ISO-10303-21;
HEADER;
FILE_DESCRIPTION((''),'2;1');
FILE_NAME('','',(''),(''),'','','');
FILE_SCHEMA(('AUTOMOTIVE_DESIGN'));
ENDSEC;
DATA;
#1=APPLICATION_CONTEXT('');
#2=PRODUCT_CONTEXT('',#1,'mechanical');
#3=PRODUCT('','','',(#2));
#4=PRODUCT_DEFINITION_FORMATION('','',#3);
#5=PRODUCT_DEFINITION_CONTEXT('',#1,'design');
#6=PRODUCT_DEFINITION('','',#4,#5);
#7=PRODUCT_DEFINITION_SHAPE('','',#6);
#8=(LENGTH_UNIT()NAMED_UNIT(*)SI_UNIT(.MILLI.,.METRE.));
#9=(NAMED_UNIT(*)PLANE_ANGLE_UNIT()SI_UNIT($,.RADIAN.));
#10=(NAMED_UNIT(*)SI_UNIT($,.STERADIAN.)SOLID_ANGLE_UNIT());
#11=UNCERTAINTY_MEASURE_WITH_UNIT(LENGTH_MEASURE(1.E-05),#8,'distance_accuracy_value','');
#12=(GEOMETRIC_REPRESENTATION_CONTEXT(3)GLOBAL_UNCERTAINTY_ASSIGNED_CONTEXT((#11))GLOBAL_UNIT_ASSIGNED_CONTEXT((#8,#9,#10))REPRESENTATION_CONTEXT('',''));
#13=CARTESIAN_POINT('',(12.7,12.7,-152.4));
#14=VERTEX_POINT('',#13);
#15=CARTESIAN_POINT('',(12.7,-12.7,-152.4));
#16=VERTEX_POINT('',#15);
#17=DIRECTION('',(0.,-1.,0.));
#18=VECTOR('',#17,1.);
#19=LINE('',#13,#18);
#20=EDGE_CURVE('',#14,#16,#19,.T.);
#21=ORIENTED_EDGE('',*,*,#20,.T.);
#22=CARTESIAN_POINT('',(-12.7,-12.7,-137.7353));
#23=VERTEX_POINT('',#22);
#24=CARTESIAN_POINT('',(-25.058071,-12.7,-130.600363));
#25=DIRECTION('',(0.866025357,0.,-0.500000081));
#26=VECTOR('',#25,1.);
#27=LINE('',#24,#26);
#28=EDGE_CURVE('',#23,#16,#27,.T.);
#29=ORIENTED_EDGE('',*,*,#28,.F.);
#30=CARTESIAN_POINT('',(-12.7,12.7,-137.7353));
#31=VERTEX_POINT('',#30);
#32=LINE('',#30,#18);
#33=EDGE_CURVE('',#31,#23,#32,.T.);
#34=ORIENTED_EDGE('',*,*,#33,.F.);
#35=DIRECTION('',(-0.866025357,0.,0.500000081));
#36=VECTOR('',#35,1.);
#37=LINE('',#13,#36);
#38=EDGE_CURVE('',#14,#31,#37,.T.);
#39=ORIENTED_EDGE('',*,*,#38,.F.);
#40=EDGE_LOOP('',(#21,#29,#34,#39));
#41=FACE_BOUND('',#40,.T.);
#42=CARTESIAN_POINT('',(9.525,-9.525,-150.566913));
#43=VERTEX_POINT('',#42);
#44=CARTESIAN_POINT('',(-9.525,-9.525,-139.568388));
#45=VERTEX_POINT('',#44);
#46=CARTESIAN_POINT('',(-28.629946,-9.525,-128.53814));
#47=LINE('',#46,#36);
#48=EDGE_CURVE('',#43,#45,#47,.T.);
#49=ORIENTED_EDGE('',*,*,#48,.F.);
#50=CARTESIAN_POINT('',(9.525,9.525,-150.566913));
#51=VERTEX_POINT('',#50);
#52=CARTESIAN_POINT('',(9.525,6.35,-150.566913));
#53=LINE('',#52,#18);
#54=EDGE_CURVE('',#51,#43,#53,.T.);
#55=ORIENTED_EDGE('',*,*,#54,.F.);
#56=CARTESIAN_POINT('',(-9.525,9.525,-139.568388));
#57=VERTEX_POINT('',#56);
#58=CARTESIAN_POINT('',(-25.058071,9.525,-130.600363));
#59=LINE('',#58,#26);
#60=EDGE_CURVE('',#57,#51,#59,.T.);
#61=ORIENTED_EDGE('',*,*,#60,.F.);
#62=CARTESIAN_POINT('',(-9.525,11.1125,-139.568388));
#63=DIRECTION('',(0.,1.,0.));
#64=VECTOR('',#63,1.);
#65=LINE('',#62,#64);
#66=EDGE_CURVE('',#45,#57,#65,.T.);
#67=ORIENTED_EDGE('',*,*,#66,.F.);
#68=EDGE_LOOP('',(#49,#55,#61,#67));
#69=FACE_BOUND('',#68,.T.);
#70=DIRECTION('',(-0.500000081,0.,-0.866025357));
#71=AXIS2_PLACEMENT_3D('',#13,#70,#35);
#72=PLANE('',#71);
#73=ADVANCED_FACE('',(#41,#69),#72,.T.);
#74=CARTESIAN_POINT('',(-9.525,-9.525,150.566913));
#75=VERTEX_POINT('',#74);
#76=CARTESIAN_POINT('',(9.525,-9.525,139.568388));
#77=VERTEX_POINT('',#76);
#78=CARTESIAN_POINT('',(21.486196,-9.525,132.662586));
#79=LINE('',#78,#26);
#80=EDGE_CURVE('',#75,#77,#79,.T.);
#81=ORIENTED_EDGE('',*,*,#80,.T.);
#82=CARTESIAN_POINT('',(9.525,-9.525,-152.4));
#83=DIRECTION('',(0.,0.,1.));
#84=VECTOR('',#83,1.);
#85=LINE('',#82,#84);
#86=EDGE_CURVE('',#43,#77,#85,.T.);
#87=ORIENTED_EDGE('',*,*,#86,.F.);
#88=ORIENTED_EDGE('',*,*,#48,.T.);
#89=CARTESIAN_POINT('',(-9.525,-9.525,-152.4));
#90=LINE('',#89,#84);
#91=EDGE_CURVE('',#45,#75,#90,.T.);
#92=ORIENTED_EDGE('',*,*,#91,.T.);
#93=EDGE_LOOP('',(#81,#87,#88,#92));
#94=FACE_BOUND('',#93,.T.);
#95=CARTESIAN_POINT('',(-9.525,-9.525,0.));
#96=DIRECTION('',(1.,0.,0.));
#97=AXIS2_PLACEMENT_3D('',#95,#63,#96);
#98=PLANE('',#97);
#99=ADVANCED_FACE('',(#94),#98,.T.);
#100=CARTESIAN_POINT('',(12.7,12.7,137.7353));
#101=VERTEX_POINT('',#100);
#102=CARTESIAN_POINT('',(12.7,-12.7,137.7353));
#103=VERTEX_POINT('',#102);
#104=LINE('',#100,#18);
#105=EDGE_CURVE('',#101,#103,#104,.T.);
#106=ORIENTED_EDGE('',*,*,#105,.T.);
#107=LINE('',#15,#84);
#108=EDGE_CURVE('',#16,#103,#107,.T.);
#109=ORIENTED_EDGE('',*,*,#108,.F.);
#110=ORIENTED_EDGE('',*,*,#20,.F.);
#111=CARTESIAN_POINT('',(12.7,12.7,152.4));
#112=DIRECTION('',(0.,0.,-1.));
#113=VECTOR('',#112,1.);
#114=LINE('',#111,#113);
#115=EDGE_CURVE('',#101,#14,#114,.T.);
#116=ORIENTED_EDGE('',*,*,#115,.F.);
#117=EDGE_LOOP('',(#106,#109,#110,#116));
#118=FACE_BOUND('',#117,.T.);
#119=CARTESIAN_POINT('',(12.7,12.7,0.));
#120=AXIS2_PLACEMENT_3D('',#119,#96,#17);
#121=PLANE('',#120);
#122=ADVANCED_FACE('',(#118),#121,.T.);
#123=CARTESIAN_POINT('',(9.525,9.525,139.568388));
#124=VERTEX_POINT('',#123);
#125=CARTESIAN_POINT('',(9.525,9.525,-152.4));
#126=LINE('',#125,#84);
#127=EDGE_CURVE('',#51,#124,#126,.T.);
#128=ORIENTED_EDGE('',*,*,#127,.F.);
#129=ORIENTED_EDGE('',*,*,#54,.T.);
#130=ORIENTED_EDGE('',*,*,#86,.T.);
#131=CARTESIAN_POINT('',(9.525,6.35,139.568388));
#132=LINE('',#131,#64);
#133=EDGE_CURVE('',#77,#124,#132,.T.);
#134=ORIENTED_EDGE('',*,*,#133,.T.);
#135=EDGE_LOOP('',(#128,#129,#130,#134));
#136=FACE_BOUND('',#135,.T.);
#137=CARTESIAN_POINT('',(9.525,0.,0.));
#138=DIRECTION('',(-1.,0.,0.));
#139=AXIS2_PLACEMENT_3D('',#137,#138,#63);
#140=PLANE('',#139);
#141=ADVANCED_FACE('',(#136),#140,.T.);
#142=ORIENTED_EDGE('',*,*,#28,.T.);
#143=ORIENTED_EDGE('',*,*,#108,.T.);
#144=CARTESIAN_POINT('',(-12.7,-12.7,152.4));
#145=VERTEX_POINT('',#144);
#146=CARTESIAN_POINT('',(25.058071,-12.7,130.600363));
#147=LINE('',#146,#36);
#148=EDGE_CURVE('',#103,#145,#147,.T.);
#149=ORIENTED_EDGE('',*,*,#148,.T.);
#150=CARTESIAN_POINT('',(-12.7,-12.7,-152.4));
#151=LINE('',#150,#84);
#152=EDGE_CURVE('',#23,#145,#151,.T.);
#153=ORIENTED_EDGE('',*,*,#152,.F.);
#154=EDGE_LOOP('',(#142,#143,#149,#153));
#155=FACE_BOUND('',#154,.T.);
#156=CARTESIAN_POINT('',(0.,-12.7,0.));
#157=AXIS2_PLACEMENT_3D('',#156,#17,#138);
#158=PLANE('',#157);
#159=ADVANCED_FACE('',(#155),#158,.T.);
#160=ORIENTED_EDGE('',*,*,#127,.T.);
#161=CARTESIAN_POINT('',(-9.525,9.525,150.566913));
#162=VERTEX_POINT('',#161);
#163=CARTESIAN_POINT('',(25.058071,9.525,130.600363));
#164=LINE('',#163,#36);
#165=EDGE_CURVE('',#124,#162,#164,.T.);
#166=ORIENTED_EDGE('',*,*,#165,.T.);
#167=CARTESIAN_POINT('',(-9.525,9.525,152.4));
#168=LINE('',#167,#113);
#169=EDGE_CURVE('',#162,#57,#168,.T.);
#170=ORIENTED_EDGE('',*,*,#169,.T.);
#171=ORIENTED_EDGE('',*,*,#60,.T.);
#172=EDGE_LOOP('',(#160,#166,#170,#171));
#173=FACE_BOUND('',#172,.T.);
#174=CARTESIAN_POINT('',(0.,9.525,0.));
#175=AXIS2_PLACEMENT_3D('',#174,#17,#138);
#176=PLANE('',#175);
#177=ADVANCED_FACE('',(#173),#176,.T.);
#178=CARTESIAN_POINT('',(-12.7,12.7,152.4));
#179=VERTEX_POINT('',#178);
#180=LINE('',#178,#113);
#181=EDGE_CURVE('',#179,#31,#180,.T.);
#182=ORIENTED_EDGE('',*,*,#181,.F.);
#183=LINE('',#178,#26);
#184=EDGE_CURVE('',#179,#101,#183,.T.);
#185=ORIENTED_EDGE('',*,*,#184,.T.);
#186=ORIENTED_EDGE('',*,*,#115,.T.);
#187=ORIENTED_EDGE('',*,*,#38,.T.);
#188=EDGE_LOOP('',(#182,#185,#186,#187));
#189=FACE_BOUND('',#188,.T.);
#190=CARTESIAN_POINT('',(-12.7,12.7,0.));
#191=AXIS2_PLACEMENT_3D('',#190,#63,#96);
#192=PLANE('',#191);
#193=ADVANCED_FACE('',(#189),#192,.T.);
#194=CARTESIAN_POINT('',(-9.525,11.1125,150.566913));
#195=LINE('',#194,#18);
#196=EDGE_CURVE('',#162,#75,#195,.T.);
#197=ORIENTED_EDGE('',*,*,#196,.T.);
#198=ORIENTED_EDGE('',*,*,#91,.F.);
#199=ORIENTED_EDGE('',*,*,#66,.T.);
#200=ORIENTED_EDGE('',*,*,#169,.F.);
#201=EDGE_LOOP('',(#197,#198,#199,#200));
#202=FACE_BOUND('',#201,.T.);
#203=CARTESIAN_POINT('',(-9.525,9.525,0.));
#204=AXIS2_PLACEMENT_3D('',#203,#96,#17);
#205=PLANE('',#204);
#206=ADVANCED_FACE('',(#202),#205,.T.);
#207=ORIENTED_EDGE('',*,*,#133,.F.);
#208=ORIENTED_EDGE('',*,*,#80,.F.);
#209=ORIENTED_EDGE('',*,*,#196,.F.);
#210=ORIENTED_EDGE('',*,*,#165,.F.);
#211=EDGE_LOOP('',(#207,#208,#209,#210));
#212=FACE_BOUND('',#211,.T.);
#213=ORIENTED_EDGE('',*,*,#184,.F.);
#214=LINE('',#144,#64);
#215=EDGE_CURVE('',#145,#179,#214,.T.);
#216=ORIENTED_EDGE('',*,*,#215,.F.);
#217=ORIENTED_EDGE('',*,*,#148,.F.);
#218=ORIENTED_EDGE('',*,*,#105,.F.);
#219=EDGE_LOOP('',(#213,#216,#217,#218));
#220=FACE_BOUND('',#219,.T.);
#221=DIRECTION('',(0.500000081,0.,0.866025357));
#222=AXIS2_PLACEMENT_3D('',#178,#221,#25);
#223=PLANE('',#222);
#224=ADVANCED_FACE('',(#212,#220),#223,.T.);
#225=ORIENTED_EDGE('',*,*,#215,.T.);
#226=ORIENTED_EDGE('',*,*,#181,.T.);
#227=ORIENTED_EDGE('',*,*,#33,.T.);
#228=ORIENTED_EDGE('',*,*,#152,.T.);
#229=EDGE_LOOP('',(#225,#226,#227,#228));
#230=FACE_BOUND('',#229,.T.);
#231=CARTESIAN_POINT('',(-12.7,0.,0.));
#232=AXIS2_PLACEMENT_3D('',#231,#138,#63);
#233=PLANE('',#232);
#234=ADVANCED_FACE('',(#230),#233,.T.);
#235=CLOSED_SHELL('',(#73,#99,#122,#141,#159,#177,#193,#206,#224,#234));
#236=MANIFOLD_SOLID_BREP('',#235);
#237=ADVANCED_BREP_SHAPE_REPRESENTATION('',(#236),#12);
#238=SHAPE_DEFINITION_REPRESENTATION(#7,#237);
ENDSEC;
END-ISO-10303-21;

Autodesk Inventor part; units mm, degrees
ref_plane "YZ Plane" through (0, 0, 0) normal (1, 0, 0) x (0, 1, 0)
ref_plane "XZ Plane" through (0, 0, 0) normal (0, 1, 0) x (-1, 0, 0)
ref_plane "XY Plane" through (0, 0, 0) normal (0, 0, 1) x (1, 0, 0)
sketch "Sketch1" plane through (0, 0, 0) normal (0, 0, 1) x (1, 0, 0)
  line L0 (-17.78, 0) -> (17.78, 0) projected
  line L1 (0, -17.78) -> (0, 17.78) projected
  line L2 (-12.7, 12.7) -> (12.7, 12.7)
  line L3 (12.7, 12.7) -> (12.7, -12.7)
  line L4 (12.7, -12.7) -> (-12.7, -12.7)
  line L5 (-12.7, -12.7) -> (-12.7, 12.7)
  line L6 (9.525, 9.525) -> (-9.525, 9.525)
  line L7 (-9.525, 9.525) -> (-9.525, -9.525)
  line L8 (-9.525, -9.525) -> (9.525, -9.525)
  line L9 (9.525, -9.525) -> (9.525, 9.525)
  point P0 (0, 0)
  point P1 (-12.7, 0)
  point P2 (0, 12.7)
  dimension "d0" = 25.4
  dimension "d1" = 3.175
extrude "Extrusion1" add sketch "Sketch1" along normal mid plane 304.8 contours L5 L2 L1 L6 L7 L0 | L0 L7 L8 L1 L4 L5 | L1 L8 L9 L0 L3 L4 | L2 L3 L0 L9 L6 L1
sketch "Sketch3" plane through (-12.7, 12.7, 152.4) normal (0, 1, 0) x (1, 0, 0)
  line L0 (0, 0) -> (25.4, 0) projected
  line L1 (25.4, 0) -> (25.4, 304.8) projected
  line L2 (0, 0) -> (25.4, 14.6647)
  point P0 (12.7, 152.4)
  dimension "d7" = 30
extrude "Extrusion3" cut sketch "Sketch3" against normal through all
sketch "Sketch4" plane through (-12.7, 12.7, -152.4) normal (0, 1, 0) x (1, 0, 0)
  line L0 (25.4, 0) -> (0, 0) projected
  line L1 (0, 0) -> (0, -304.8) projected
  line L2 (25.4, 0) -> (0, -14.6647)
  point P0 (12.7, -152.4)
  dimension "d10" = 30
extrude "Extrusion4" cut sketch "Sketch4" against normal through all
properties part number "tubing_template_0.125" material "Aluminum-6061"
